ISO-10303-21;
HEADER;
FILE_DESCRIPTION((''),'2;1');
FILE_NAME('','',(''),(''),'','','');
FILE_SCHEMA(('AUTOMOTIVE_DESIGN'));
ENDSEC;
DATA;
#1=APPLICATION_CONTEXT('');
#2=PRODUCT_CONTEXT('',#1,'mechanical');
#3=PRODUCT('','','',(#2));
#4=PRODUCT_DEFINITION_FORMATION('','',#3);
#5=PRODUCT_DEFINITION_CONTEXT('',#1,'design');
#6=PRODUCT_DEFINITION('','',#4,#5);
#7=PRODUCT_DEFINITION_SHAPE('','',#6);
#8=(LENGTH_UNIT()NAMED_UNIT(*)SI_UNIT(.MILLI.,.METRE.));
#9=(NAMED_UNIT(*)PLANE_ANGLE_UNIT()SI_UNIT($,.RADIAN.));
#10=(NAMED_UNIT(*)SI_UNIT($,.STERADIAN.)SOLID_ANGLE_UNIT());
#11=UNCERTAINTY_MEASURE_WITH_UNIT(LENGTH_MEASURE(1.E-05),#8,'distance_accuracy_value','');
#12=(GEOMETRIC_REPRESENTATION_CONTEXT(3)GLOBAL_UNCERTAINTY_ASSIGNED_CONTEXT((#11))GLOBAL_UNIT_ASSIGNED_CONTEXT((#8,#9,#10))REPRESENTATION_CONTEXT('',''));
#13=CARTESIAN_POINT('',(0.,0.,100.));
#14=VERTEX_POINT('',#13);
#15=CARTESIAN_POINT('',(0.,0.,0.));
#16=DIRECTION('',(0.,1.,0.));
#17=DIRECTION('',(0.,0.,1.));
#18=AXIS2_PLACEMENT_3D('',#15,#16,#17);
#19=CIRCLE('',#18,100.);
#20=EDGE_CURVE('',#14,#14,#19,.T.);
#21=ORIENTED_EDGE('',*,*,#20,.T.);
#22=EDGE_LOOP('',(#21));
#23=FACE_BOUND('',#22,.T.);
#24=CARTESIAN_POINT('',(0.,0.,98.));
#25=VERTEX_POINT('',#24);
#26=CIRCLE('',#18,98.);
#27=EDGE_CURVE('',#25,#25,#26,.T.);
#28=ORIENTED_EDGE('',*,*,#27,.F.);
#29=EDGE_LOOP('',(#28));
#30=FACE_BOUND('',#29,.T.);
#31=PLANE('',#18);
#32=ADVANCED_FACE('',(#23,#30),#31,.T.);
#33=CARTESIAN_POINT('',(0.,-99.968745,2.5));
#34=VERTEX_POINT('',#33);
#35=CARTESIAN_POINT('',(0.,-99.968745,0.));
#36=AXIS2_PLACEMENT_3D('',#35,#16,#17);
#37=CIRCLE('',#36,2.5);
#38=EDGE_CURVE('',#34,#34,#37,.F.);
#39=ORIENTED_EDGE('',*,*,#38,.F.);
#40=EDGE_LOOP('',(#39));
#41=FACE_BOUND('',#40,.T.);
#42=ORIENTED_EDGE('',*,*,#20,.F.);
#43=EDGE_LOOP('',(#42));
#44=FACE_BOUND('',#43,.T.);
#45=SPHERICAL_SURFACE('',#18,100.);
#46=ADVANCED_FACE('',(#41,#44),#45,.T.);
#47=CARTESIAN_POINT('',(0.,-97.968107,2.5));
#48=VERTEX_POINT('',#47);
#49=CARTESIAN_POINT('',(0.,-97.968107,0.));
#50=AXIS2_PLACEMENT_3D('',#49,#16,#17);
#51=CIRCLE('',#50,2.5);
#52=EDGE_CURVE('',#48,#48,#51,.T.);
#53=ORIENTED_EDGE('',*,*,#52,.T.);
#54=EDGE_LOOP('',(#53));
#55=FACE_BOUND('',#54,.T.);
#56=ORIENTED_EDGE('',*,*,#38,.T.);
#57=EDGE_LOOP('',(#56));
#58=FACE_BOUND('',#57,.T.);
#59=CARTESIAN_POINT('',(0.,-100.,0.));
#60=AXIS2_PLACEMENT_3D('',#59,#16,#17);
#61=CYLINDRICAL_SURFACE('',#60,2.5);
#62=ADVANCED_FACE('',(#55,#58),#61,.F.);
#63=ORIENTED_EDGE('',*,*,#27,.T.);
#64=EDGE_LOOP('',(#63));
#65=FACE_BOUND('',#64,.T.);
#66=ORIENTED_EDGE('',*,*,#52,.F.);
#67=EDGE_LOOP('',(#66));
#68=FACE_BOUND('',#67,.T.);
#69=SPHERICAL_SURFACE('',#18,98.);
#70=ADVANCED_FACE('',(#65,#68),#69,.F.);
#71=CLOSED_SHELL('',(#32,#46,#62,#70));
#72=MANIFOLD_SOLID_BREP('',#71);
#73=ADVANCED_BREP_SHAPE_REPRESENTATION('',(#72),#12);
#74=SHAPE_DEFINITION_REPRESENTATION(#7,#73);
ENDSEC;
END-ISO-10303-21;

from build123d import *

# Parameters (mm, degrees)
SKETCH_2_R          = 100
CUT_EXTRUDE_1_DEPTH = 101
SKETCH_3_R          = 2.5
CUT_EXTRUDE_2_DEPTH = 101


with BuildPart() as part:
    # 草图1 → 旋转1 (revolve)
    with BuildSketch(Plane.XY):
        with BuildLine():
            Line((-100, 0), (-98, 0))
            ThreePointArc((-98, 0), (0, -98), (98, 0))
            Line((98, 0), (100, 0))
            ThreePointArc((100, 0), (0, -100), (-100, 0))
        make_face()
    revolve(axis=Axis((-100, 0, 0), (1, 0, 0)))

    # 草图2 → 切除-拉伸1 (cut, through all)
    with BuildSketch(Plane(origin=(0, 0, 0), x_dir=(1, 0, 0), z_dir=(0, 1, 0))):
        Circle(SKETCH_2_R)
    extrude(amount=CUT_EXTRUDE_1_DEPTH, mode=Mode.SUBTRACT)

    # 草图3 → 切除-拉伸2 (cut, through all)
    with BuildSketch(Plane(origin=(0, 0, 0), x_dir=(1, 0, 0), z_dir=(0, 1, 0))):
        Circle(SKETCH_3_R)
    extrude(amount=-CUT_EXTRUDE_2_DEPTH, mode=Mode.SUBTRACT)


solid = part.part
